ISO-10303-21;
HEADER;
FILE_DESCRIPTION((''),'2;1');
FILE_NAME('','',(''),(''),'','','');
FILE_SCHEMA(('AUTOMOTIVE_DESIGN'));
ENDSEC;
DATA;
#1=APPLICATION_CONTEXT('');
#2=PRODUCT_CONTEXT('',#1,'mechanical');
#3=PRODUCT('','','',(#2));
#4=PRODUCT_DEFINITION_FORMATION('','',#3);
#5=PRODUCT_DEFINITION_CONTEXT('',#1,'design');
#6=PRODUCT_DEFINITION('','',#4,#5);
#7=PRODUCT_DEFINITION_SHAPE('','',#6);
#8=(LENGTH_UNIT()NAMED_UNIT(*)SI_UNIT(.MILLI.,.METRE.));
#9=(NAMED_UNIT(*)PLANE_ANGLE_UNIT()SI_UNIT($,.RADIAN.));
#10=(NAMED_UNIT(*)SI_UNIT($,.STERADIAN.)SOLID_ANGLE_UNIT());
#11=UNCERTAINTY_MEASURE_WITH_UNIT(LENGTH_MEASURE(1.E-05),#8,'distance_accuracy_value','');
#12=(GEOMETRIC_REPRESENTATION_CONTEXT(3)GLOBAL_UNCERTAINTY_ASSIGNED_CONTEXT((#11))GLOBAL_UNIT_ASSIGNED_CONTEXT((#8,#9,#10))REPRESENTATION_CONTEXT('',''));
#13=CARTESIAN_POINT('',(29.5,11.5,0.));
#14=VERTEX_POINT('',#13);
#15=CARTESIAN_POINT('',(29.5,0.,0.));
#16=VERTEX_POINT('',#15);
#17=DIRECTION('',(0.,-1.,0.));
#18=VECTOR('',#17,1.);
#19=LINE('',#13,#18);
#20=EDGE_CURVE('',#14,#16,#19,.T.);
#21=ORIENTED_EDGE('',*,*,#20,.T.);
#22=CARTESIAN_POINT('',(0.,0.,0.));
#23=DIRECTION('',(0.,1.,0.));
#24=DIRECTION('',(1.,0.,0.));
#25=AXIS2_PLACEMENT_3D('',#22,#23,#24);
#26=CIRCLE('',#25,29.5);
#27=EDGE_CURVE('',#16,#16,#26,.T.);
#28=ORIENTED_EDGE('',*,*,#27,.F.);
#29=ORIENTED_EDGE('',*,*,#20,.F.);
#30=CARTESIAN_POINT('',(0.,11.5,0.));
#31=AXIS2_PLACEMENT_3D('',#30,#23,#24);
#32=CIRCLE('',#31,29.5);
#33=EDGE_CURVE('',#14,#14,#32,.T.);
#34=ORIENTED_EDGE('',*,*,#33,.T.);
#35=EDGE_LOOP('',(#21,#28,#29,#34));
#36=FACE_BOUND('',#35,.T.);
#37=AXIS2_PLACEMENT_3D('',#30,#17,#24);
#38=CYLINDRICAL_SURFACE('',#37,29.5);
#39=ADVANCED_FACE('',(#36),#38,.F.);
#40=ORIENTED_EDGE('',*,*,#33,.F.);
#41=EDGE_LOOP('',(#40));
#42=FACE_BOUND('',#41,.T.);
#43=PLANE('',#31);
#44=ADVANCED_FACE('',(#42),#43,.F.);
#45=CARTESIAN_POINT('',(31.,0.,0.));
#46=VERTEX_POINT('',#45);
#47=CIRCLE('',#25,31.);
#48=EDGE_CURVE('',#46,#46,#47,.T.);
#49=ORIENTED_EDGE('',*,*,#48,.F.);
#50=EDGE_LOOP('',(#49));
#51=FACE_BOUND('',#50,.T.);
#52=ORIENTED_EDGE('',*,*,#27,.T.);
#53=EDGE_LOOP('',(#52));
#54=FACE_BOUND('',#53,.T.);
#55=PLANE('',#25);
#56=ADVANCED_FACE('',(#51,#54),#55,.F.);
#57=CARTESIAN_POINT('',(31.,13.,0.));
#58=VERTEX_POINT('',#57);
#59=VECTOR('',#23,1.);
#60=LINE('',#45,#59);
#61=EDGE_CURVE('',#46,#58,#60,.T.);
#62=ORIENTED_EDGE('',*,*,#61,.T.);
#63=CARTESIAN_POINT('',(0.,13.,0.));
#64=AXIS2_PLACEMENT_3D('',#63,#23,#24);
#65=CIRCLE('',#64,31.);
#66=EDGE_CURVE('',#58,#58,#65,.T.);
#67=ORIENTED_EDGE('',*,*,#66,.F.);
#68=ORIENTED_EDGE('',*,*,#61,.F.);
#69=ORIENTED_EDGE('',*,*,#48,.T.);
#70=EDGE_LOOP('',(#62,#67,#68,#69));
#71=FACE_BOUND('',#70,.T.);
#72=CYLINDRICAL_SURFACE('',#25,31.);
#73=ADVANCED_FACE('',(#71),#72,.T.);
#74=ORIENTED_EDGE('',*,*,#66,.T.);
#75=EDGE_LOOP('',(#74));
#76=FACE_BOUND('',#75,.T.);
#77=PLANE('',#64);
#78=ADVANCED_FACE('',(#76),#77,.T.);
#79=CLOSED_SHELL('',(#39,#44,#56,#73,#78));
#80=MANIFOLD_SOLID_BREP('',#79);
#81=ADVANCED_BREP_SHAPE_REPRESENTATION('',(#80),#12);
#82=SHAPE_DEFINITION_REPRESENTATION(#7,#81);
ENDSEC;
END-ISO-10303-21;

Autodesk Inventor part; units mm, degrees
ref_plane "YZ Plane" through (0, 0, 0) normal (1, 0, 0) x (0, 1, 0)
ref_plane "XZ Plane" through (0, 0, 0) normal (0, 1, 0) x (-1, 0, 0)
ref_plane "XY Plane" through (0, 0, 0) normal (0, 0, 1) x (1, 0, 0)
sketch "Sketch1" plane through (0, 0, 0) normal (0, 0, 1) x (1, 0, 0)
  line L0 (31, 0) -> (31, 13)
  line L1 (31, 13) -> (0, 13)
  line L2 (0, 11.5) -> (29.5, 11.5)
  line L3 (29.5, 11.5) -> (29.5, 0)
  line L4 (0, 11.5) -> (0, 13)
  line L5 (29.5, 0) -> (31, 0)
  line L6 (0, 0) -> (0, 13) construction
  dimension "d8" = 13
  dimension "d9" = 31
  dimension "d10" = 1.5
revolve "Revolution1" add sketch "Sketch1" angle 360 about axis through (0, 0, 0) along (0, 1, 0)
properties part number "yellow_lid"
